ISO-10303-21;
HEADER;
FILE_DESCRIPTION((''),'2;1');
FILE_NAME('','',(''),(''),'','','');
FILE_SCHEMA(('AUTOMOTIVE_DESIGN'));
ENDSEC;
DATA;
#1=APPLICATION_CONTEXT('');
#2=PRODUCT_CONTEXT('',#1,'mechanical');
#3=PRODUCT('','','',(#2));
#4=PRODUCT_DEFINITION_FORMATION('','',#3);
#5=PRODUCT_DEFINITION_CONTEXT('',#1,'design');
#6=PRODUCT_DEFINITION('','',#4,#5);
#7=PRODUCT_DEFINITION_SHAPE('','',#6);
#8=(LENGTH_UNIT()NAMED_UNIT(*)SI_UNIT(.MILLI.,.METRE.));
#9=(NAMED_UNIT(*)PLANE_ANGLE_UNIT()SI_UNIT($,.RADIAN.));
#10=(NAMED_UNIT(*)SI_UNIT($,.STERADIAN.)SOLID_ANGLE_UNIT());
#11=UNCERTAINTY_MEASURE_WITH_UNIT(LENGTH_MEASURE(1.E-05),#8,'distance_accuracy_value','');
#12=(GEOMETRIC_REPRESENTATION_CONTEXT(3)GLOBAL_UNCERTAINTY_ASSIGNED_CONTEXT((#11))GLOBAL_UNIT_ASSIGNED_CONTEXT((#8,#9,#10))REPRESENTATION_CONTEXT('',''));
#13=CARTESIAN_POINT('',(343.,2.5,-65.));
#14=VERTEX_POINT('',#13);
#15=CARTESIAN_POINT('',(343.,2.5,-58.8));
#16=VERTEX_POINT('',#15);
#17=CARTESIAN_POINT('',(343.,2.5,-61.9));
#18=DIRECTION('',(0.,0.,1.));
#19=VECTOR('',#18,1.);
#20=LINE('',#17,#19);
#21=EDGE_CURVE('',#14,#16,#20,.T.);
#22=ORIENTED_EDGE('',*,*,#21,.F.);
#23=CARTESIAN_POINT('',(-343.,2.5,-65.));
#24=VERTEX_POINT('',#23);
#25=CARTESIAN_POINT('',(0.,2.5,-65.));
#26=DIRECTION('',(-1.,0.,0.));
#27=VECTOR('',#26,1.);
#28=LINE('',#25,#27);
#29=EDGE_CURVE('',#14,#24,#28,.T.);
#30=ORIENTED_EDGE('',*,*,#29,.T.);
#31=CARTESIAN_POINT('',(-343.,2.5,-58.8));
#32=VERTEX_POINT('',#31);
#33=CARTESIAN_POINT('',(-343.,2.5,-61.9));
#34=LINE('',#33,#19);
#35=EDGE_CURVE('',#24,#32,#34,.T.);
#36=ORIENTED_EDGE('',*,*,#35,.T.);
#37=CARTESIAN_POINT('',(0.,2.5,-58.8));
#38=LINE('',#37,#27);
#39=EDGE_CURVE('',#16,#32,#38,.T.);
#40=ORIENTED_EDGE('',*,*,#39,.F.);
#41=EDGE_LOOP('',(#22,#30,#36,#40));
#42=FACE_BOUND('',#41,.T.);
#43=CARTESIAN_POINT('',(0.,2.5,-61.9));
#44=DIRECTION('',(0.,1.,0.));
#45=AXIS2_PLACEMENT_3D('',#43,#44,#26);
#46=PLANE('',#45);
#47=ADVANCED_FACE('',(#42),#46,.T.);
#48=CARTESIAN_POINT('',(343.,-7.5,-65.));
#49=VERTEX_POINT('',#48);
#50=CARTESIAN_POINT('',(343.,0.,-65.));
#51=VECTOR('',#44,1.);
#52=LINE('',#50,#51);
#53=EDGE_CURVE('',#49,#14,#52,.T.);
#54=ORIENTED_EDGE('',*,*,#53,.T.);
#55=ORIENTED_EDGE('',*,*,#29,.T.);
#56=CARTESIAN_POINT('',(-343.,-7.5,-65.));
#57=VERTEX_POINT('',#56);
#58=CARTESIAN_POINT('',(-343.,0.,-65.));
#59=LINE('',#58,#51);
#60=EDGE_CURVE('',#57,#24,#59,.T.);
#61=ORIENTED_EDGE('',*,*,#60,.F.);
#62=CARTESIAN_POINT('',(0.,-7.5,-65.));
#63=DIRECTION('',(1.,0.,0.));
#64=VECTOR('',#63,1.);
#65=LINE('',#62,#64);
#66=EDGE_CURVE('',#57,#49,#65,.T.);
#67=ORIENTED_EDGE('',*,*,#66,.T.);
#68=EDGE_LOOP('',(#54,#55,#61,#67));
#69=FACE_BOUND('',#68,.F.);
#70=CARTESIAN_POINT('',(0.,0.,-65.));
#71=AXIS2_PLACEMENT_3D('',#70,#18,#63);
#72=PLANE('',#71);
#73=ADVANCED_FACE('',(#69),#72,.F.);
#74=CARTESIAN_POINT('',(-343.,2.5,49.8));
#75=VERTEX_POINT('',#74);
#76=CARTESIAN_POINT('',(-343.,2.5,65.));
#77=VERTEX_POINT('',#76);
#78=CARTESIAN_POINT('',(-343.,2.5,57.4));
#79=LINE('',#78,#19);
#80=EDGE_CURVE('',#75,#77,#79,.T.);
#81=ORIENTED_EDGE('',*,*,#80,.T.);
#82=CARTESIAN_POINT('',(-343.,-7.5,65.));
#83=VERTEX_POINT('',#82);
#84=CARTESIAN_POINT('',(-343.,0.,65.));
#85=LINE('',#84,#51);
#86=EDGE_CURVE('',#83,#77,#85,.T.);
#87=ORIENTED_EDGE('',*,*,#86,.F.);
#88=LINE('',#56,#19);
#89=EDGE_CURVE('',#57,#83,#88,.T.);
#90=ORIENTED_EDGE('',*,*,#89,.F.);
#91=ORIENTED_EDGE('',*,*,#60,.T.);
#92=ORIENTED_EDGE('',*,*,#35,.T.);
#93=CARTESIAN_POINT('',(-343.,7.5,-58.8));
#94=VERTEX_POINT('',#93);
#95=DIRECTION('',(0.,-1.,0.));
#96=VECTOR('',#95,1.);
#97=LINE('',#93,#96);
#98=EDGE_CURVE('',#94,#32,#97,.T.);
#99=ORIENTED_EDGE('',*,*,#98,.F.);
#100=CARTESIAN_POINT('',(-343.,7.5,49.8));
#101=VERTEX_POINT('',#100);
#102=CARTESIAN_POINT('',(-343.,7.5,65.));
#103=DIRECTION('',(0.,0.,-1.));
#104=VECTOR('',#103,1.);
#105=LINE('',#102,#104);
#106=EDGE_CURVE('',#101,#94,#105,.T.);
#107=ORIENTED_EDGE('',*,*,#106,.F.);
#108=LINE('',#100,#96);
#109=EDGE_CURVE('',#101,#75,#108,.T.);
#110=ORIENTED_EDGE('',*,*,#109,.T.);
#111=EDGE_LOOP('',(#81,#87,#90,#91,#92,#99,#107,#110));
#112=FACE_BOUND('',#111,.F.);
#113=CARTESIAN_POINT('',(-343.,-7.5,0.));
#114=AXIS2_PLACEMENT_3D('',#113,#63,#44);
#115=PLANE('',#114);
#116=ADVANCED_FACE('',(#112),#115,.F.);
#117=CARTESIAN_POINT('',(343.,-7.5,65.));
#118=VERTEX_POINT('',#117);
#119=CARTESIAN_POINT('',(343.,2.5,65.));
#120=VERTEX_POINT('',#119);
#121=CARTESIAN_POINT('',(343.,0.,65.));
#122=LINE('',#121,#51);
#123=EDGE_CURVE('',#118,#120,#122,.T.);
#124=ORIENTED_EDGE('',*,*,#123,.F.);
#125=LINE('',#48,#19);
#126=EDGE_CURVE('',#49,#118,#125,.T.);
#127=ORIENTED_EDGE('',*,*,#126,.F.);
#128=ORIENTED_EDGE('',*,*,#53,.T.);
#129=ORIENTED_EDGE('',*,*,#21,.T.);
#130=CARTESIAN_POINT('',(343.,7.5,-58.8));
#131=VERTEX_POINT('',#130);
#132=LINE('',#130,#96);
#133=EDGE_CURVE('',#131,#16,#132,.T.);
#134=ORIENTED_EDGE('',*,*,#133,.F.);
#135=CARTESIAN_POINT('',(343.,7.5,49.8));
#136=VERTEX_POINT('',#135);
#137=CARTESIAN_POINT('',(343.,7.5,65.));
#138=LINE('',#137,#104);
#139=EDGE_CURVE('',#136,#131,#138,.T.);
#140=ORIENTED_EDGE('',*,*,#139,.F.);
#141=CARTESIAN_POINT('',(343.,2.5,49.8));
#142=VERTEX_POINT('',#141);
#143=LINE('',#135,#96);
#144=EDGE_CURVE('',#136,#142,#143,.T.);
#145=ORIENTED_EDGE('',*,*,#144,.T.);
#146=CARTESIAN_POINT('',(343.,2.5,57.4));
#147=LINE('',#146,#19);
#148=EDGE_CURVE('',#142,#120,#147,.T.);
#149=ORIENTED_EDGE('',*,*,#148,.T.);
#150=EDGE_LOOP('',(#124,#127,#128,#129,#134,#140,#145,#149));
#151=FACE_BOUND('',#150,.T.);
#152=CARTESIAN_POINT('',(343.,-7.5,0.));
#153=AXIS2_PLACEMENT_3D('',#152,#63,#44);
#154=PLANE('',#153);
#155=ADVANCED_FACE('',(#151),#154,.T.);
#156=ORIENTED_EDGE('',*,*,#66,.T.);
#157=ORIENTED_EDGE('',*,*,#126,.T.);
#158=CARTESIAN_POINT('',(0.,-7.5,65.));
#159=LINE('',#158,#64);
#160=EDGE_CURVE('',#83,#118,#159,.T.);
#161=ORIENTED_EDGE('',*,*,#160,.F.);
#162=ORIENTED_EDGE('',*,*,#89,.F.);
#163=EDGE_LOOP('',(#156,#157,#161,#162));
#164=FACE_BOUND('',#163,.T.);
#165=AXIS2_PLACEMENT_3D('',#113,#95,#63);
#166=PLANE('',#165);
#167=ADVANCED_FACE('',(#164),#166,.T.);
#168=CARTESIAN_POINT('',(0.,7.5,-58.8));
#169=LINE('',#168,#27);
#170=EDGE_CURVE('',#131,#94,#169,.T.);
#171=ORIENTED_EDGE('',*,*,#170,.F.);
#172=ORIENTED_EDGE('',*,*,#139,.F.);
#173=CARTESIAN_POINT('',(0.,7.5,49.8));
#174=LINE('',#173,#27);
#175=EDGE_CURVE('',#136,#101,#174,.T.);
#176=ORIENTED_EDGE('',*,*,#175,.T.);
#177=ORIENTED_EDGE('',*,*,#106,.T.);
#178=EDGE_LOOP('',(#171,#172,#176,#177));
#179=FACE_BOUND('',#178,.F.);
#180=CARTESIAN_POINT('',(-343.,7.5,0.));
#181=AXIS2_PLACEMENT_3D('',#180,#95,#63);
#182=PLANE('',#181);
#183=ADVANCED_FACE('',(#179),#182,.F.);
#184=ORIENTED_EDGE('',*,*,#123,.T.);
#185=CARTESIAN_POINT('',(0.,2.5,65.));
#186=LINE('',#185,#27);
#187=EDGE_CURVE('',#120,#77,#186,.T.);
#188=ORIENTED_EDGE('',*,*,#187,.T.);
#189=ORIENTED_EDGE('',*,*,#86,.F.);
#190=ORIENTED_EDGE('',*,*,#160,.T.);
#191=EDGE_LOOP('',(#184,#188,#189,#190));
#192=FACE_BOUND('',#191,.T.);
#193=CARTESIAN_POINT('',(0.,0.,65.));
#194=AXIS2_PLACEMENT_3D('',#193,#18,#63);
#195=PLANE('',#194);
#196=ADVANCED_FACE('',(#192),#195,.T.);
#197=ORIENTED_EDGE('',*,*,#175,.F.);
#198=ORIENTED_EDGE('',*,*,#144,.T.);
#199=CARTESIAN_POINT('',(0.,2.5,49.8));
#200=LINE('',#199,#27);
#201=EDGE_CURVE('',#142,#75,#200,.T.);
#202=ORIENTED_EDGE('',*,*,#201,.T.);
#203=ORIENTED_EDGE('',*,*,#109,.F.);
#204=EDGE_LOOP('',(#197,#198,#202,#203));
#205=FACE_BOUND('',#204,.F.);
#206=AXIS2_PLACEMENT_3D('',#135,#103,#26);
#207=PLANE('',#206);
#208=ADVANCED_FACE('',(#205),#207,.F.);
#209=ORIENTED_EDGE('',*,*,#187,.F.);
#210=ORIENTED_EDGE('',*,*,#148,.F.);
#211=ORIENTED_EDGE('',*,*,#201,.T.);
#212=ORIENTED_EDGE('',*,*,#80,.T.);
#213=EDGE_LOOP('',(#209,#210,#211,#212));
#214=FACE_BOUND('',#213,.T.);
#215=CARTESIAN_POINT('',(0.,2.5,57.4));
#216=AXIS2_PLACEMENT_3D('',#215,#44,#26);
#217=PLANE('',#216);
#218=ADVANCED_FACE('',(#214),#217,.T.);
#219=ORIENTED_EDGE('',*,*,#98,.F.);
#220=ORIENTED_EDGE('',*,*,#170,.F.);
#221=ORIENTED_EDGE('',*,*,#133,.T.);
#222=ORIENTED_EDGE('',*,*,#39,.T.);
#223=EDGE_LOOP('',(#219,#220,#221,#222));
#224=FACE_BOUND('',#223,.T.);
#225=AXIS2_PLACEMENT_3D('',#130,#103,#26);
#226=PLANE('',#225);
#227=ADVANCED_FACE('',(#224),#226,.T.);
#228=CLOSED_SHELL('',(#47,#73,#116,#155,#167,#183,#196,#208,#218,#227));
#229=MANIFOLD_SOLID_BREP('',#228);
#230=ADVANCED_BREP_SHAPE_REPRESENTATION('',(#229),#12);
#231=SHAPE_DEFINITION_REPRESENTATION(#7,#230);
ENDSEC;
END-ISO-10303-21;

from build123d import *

# Parameters (mm, degrees)
F0_W     = 686
F0_H     = 15
F1_DEPTH = 65
F2_W     = 686
F2_H     = 15.2
F2_H_2   = 6.2
F3_DEPTH = 5


with BuildPart() as f1:
    # F0 (on Top) → F1 (new body, symmetric)
    with BuildSketch(Plane.XY):
        Rectangle(F0_W, F0_H)
    extrude(amount=F1_DEPTH, both=True)

    # F2 (on face) → F3 (cut)
    with BuildSketch(Plane(origin=(0, 7.5, 0), x_dir=(-1, 0, 0), z_dir=(0, 1, 0))):
        with Locations((0, 57.4)):
            Rectangle(F2_W, F2_H)
        with Locations((0, -61.9)):
            Rectangle(F2_W, F2_H_2)
    extrude(amount=-F3_DEPTH, mode=Mode.SUBTRACT)


solid = f1.part
